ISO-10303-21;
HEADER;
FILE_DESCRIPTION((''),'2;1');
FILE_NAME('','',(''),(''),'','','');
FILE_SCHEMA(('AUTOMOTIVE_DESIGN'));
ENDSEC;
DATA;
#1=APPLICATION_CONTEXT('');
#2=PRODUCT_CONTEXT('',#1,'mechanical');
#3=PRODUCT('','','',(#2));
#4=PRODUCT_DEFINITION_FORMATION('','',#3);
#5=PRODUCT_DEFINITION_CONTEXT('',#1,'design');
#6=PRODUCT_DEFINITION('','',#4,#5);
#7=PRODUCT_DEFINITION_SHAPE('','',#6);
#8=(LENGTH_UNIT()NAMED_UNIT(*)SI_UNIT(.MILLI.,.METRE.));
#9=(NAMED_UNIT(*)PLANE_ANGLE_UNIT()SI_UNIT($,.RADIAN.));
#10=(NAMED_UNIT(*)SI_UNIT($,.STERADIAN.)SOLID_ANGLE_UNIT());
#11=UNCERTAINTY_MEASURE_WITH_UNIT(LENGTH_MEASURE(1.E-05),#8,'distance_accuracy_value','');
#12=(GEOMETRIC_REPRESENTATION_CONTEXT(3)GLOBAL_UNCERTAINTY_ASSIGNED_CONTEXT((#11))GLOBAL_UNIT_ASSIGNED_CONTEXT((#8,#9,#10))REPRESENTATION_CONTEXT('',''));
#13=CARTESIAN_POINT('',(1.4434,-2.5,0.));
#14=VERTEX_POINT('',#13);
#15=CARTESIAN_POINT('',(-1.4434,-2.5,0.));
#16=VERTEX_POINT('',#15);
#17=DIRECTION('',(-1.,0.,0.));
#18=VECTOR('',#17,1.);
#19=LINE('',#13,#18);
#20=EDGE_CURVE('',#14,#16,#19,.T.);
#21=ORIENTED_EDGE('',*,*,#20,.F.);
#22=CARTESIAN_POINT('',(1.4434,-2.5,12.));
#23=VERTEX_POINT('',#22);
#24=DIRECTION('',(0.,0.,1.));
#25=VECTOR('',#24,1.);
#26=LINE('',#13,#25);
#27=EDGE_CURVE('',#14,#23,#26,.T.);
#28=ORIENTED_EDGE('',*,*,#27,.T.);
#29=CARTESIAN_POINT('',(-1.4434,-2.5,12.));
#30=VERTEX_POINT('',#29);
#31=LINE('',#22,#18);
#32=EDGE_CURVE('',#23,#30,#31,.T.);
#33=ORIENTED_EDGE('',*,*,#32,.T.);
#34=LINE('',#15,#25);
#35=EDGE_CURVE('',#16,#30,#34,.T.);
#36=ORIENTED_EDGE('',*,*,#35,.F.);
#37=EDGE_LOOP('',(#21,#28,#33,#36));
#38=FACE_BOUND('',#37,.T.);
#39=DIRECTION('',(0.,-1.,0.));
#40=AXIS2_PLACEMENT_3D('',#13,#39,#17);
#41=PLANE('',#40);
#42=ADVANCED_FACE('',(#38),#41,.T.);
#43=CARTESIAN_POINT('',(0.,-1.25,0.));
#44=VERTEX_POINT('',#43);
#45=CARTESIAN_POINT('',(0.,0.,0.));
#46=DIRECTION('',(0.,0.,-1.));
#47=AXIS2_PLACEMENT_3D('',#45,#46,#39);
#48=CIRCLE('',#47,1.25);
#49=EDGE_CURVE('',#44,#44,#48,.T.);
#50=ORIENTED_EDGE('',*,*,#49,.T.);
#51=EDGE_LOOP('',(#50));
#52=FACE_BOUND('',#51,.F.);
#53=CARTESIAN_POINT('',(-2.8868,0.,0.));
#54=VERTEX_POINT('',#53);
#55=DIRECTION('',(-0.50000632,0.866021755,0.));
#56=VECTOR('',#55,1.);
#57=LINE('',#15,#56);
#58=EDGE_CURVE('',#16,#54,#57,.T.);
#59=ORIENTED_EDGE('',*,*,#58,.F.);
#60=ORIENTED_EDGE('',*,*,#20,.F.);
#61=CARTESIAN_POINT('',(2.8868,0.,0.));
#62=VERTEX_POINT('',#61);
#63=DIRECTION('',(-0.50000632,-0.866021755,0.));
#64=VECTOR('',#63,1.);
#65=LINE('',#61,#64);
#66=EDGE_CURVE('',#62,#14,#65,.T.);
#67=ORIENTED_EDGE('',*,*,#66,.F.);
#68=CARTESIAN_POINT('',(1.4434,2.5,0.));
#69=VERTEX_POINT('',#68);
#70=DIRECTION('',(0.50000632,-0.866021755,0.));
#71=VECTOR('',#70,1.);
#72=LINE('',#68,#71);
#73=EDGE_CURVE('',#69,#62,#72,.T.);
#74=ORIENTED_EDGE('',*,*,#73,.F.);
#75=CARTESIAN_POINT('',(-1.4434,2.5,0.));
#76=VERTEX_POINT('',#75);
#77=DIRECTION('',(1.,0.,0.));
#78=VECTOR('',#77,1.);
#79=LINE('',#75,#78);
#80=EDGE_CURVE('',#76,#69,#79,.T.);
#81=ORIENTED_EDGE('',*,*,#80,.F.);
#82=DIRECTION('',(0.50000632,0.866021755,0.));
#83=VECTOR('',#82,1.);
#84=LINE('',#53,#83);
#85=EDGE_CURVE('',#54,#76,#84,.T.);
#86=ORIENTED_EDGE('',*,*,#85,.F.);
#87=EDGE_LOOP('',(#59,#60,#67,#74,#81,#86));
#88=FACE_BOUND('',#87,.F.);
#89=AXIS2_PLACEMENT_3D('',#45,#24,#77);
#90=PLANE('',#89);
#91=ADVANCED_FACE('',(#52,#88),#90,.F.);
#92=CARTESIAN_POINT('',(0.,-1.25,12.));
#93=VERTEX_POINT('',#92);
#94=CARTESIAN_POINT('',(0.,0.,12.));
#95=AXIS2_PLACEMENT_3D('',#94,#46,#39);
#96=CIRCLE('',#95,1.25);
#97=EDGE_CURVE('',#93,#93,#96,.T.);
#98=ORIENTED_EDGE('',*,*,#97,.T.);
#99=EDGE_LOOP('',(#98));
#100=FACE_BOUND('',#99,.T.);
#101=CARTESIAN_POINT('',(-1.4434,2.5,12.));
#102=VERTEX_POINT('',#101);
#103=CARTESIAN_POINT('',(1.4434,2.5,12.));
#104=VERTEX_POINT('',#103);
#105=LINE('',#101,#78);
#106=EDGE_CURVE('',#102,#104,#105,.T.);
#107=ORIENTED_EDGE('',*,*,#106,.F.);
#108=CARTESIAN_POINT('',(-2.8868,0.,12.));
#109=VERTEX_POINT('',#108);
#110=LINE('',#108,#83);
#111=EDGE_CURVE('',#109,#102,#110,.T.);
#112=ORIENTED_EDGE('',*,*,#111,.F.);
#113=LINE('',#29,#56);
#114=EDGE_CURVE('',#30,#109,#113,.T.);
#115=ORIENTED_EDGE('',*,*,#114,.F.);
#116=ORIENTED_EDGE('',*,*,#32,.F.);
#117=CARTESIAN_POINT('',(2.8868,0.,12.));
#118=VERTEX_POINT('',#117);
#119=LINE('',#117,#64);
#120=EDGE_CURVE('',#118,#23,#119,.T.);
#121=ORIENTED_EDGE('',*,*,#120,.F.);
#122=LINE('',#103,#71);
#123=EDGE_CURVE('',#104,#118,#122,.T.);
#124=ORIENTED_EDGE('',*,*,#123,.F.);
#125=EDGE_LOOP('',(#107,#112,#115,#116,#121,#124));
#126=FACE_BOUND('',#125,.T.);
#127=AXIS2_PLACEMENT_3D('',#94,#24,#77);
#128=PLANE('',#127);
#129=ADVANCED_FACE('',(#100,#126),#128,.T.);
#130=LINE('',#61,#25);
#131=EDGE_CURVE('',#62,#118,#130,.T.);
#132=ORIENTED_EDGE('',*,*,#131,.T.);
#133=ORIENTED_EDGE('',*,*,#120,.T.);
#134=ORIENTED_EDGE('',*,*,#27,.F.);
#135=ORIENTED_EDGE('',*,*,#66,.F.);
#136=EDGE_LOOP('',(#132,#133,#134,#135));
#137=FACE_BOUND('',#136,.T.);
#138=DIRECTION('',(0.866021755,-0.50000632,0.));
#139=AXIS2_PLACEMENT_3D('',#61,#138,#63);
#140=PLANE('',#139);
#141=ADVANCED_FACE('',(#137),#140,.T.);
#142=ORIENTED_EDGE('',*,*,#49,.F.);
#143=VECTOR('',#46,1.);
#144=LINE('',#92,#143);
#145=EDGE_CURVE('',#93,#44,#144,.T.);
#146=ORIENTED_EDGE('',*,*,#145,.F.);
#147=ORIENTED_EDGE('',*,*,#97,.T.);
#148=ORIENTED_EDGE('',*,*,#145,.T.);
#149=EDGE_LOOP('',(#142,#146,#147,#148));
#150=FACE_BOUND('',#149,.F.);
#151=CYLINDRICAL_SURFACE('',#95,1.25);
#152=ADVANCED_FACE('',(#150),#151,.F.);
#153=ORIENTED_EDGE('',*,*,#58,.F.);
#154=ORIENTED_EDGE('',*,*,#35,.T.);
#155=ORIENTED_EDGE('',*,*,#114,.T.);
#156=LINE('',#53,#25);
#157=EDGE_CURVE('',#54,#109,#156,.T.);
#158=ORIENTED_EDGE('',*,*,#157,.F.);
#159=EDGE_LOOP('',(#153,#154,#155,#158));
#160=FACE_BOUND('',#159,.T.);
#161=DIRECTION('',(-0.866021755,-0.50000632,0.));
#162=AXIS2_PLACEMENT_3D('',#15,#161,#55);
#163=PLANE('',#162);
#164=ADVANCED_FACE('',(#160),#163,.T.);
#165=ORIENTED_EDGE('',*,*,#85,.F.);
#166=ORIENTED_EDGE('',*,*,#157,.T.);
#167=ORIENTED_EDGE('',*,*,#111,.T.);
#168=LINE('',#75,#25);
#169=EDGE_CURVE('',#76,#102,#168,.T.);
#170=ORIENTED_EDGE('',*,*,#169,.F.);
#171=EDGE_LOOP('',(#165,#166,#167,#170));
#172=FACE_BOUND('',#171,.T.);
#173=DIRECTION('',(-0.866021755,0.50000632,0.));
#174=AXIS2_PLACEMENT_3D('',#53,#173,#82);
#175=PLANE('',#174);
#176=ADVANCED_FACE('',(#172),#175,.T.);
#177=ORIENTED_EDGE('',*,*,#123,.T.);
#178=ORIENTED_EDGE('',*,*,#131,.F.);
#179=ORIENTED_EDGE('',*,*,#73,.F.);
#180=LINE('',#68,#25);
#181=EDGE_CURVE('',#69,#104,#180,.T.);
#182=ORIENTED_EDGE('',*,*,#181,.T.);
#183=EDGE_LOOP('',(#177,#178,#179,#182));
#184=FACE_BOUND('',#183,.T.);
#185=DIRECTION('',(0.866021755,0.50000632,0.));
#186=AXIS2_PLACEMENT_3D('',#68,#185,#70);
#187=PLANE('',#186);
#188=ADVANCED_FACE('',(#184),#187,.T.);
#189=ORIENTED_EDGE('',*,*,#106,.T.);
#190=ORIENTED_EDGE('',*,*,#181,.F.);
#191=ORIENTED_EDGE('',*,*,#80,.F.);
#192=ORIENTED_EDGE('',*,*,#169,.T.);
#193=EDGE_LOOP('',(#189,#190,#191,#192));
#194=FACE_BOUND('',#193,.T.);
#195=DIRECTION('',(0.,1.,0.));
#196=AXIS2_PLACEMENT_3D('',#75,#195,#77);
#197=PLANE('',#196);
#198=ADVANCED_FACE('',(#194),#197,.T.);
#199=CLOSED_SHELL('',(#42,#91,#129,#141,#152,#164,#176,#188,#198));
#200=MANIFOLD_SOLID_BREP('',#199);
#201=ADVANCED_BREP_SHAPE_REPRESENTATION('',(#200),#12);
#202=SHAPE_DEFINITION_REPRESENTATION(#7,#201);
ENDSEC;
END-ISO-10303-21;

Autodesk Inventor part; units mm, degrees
ref_plane "YZ Plane" through (0, 0, 0) normal (1, 0, 0) x (0, 1, 0)
ref_plane "XZ Plane" through (0, 0, 0) normal (0, 1, 0) x (-1, 0, 0)
ref_plane "XY Plane" through (0, 0, 0) normal (0, 0, 1) x (1, 0, 0)
sketch "Skizze1" plane through (0, 0, 0) normal (0, 0, 1) x (1, 0, 0)
  line L0 (-1.4434, 2.5) -> (1.4434, 2.5)
  line L1 (1.4434, 2.5) -> (2.8868, 0)
  line L2 (2.8868, 0) -> (1.4434, -2.5)
  line L3 (1.4434, -2.5) -> (-1.4434, -2.5)
  line L4 (-1.4434, -2.5) -> (-2.8868, 0)
  line L5 (-2.8868, 0) -> (-1.4434, 2.5)
  point P0 (0, 0)
  point P1 (0, 0)
  point P2 (0, 2.5)
  point P3 (0, -2.5)
  dimension "d3" = 120
  dimension "d4" = 120
  dimension "d5" = 120
  dimension "d6" = 5
extrude "Extrusion1" add sketch "Skizze1" along normal blind 12
sketch "Skizze2" plane through (0, 0, 12) normal (0, 0, 1) x (1, 0, 0)
  point P0 (0, 0)
  point P1 (0, 0)
hole "Bohrung1" at (0, 0, 12) direction (0, 0, -1) diameter 2.5 end through all
thread "Gewinde1" size "M2.5x0.45" class "6H" standard "ANSI Metric M Profile" full length
properties part number "12mm_Innengewinde"
